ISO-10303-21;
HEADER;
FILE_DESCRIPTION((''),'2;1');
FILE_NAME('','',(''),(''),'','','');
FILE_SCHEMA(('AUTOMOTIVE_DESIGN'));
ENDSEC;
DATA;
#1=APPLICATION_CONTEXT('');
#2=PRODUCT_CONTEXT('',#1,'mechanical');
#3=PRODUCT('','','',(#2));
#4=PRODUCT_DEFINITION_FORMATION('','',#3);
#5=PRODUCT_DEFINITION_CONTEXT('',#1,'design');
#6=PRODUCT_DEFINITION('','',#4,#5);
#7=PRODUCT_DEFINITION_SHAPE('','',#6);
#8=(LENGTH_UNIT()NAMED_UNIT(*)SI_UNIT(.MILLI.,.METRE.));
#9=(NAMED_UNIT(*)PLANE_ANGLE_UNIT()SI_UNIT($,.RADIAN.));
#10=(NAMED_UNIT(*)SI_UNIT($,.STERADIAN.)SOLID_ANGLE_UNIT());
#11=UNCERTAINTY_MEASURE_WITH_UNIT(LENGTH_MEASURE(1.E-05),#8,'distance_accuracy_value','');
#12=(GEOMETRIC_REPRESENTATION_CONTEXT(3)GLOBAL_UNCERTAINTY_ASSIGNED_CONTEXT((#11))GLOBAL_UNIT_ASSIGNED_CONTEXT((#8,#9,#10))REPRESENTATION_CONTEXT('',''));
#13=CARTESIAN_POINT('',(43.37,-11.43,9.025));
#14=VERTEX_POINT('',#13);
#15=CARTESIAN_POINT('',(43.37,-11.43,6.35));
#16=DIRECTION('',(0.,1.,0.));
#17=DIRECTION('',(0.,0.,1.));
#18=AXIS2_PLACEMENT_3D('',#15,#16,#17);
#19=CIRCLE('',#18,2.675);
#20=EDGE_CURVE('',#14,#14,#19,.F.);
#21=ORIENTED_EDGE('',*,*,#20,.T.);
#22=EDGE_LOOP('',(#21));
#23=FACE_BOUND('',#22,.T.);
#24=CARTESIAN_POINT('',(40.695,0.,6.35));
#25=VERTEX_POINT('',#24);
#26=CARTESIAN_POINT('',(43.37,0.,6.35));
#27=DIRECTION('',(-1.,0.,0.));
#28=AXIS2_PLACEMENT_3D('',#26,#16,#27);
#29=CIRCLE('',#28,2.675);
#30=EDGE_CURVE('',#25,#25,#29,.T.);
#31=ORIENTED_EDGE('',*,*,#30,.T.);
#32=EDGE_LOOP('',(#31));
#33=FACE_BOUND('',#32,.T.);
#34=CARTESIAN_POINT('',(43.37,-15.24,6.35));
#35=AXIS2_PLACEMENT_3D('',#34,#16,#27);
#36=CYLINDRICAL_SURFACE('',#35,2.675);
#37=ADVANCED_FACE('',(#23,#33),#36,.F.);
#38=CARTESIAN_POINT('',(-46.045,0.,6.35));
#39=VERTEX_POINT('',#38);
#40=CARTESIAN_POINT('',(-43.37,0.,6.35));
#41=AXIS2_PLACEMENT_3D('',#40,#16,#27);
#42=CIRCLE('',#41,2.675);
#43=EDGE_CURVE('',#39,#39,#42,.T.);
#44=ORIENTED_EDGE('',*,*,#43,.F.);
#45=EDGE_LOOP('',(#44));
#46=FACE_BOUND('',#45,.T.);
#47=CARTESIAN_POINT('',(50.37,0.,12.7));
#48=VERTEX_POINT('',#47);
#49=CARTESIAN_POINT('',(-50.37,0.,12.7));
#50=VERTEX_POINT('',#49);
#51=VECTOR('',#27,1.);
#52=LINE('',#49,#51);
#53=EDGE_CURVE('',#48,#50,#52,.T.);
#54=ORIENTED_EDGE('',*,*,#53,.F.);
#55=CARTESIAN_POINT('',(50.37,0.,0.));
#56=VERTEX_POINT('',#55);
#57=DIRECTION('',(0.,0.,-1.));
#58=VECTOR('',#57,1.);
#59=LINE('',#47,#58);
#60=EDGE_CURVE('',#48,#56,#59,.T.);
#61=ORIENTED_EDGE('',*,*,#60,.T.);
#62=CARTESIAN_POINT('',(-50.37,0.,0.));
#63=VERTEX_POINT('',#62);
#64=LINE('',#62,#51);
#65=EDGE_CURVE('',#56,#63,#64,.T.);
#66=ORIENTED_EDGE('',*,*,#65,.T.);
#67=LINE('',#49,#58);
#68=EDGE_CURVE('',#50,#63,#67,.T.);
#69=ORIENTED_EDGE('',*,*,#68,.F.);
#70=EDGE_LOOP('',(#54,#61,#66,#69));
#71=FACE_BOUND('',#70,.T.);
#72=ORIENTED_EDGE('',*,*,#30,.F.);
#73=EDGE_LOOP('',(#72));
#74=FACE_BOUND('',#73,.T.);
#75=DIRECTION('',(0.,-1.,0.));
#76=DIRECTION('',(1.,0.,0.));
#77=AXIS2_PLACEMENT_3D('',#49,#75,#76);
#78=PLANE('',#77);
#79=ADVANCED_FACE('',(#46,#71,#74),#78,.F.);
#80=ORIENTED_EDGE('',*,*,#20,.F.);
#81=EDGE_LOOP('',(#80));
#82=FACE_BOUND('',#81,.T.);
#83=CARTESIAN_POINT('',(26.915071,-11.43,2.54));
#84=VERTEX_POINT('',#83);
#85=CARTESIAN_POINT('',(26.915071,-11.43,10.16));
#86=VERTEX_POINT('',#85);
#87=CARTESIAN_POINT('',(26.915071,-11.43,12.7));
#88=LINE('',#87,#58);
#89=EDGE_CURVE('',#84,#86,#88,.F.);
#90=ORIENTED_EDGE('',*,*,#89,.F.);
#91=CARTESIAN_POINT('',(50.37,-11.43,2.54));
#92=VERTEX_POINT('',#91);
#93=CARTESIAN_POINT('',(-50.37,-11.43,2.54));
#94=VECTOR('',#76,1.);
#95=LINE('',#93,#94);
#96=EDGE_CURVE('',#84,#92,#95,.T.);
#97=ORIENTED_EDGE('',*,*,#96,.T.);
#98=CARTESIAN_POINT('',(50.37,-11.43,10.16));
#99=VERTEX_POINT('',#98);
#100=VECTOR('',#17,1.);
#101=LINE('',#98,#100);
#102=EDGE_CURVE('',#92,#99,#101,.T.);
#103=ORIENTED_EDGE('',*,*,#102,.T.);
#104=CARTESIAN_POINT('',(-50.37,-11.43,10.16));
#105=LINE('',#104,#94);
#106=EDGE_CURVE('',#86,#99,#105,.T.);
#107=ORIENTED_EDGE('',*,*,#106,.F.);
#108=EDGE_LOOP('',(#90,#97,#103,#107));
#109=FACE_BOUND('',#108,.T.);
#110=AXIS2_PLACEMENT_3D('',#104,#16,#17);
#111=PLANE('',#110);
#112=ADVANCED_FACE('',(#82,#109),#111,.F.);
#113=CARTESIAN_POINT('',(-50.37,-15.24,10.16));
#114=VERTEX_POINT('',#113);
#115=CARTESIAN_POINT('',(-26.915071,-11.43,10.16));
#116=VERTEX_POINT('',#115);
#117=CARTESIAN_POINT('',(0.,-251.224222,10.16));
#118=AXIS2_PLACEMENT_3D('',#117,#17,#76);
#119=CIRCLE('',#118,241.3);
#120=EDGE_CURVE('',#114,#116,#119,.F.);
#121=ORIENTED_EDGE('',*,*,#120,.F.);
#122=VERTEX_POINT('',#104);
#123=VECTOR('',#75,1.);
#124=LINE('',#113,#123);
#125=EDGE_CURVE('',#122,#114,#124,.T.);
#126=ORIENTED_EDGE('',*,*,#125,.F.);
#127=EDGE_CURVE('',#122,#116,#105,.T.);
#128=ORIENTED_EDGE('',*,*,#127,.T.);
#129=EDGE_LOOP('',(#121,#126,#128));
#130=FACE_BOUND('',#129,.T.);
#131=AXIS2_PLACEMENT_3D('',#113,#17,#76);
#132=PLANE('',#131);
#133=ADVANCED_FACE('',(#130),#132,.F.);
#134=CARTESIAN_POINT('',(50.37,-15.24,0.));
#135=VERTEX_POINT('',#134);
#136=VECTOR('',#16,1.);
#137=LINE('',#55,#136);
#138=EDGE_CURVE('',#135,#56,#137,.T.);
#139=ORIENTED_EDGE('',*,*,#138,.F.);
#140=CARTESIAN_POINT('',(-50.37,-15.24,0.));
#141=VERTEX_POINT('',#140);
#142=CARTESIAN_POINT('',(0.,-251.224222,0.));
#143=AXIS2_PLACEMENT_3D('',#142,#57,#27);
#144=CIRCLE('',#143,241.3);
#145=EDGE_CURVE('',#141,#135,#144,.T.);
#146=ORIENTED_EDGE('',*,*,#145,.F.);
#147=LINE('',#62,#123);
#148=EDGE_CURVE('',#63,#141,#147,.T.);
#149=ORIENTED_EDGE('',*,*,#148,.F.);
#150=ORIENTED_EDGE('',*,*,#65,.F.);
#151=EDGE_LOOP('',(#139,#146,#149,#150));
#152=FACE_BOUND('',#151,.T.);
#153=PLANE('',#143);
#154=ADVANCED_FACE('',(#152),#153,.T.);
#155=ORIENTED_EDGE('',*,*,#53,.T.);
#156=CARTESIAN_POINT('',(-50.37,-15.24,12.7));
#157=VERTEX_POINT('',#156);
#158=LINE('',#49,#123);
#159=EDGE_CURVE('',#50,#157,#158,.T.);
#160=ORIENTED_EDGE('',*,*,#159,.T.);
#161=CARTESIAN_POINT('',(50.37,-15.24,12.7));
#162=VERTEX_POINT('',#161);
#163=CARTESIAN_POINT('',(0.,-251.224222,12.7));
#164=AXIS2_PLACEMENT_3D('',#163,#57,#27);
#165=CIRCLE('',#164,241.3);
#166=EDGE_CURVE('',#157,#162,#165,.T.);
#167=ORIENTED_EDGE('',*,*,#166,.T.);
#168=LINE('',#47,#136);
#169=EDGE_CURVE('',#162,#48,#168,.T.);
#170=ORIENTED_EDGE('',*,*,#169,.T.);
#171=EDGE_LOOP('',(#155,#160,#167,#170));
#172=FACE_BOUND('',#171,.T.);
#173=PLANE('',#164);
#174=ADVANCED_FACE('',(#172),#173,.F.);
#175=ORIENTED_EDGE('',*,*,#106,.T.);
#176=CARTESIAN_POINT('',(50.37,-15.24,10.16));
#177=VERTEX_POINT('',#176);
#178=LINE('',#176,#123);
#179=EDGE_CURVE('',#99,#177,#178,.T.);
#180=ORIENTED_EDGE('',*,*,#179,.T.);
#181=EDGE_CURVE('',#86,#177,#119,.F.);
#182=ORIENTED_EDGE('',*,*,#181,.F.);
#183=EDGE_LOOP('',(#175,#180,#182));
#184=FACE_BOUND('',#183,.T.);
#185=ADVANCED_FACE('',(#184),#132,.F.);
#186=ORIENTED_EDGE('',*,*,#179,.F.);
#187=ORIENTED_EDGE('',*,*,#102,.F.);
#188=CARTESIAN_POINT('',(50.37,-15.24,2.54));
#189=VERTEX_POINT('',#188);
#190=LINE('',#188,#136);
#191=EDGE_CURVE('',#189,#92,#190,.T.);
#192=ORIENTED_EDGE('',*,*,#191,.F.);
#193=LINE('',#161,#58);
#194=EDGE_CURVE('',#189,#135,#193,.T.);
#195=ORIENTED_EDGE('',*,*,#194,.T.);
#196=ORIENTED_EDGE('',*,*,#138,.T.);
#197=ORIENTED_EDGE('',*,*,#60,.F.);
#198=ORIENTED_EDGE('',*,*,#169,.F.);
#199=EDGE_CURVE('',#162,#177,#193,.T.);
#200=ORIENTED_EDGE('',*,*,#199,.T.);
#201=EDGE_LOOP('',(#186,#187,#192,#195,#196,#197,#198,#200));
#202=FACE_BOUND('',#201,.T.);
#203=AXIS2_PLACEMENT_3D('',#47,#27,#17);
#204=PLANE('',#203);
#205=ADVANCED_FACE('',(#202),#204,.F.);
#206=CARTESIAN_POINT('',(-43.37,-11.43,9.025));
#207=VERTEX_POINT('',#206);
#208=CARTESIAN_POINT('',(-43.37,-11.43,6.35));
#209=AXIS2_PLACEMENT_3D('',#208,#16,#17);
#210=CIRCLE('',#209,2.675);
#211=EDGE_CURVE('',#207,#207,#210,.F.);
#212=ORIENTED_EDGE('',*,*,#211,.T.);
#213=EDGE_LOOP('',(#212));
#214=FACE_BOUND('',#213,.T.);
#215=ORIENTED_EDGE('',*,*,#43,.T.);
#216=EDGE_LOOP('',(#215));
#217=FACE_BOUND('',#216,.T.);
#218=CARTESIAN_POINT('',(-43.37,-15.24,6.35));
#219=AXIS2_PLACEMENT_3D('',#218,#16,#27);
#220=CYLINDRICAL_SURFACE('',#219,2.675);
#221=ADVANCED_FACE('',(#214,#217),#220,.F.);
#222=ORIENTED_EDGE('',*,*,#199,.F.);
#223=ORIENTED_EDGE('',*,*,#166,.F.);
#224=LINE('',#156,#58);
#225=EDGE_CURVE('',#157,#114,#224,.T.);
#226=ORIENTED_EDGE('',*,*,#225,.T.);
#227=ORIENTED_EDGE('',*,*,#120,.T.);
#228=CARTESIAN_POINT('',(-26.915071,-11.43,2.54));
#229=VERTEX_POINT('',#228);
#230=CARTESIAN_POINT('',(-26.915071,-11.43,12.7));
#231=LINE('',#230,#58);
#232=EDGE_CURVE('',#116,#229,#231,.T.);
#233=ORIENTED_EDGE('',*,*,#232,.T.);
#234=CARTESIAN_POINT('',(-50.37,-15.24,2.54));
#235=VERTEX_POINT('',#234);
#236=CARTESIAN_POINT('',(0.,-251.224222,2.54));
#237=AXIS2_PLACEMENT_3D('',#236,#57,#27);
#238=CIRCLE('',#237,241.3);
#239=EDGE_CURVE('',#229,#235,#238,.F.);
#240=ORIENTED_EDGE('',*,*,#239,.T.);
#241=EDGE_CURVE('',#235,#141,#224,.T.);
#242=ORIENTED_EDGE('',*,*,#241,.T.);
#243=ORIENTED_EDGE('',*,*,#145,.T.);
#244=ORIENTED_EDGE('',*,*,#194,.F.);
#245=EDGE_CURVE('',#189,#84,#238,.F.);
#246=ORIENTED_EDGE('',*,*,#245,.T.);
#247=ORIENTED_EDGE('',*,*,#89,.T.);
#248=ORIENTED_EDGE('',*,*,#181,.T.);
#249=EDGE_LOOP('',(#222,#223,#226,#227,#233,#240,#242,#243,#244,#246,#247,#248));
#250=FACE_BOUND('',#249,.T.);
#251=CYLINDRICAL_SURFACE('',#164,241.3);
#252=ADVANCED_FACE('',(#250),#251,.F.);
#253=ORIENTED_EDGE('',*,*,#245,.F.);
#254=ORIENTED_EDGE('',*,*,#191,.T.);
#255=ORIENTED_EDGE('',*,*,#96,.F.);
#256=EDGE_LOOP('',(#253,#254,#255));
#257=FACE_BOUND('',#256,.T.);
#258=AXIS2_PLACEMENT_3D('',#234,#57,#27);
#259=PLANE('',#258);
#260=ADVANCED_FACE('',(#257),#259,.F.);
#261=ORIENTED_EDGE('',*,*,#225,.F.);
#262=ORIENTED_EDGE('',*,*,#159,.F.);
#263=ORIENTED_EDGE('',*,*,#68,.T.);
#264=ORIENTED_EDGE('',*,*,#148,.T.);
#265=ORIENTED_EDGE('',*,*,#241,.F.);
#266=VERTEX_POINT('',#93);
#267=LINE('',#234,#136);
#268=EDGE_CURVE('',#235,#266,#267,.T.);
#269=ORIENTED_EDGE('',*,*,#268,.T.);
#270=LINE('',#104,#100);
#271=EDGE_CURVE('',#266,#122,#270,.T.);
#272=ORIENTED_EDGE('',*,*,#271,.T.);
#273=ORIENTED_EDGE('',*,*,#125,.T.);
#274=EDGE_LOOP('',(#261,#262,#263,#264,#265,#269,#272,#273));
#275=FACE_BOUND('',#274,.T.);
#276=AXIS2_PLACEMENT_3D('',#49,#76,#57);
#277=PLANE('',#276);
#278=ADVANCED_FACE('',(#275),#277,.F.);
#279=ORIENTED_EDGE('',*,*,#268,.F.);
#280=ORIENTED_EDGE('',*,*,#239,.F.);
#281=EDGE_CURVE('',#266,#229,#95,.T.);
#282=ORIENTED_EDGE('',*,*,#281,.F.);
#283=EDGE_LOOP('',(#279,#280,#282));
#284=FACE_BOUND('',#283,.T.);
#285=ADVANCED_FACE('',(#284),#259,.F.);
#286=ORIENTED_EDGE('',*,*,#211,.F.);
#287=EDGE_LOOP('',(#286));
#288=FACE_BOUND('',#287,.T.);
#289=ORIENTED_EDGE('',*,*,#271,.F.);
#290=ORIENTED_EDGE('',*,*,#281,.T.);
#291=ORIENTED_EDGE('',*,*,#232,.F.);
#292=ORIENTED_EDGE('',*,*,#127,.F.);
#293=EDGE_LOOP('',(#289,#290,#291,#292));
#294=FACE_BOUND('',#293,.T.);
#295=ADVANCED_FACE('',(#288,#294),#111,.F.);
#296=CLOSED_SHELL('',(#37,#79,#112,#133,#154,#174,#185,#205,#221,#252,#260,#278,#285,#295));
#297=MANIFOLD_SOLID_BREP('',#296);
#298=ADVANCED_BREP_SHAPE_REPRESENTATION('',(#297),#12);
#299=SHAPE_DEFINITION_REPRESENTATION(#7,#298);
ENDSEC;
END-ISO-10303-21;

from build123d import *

# Parameters (mm, degrees)
BOSS_EXTRUDE1_DEPTH = 12.7
SKETCH2_R           = 2.675
CUT_EXTRUDE1_DEPTH  = 16.24
SKETCH3_W           = 7.62
SKETCH3_H           = 3.81
CUT_EXTRUDE2_DEPTH  = 101.7400001


with BuildPart() as part:
    # Sketch1 → Boss-Extrude1 (new body)
    with BuildSketch(Plane.XY):
        with BuildLine():
            Line((-50.37, 0), (50.37, 0))
            Line((50.37, 0), (50.37, -15.24))
            ThreePointArc((50.37, -15.24), (0, -9.924222142), (-50.37, -15.24))
            Line((-50.37, -15.24), (-50.37, 0))
        make_face()
    extrude(amount=BOSS_EXTRUDE1_DEPTH)

    # Sketch2 → Cut-Extrude1 (cut, through all)
    with BuildSketch(Plane(origin=(0, 0, 0), x_dir=(1, 0, 0), z_dir=(0, 1, 0))):
        with Locations((-43.37, -6.35)):
            Circle(SKETCH2_R)
        with Locations((43.37, -6.35)):
            Circle(SKETCH2_R)
    extrude(amount=-CUT_EXTRUDE1_DEPTH, mode=Mode.SUBTRACT)

    # Sketch3 → Cut-Extrude2 (cut, through all)
    with BuildSketch(Plane(origin=(50.37, 0, 0), x_dir=(0, 0, -1), z_dir=(1, 0, 0))):
        with Locations((-6.35, -13.335)):
            Rectangle(SKETCH3_W, SKETCH3_H)
    extrude(amount=-CUT_EXTRUDE2_DEPTH, mode=Mode.SUBTRACT)


solid = part.part
